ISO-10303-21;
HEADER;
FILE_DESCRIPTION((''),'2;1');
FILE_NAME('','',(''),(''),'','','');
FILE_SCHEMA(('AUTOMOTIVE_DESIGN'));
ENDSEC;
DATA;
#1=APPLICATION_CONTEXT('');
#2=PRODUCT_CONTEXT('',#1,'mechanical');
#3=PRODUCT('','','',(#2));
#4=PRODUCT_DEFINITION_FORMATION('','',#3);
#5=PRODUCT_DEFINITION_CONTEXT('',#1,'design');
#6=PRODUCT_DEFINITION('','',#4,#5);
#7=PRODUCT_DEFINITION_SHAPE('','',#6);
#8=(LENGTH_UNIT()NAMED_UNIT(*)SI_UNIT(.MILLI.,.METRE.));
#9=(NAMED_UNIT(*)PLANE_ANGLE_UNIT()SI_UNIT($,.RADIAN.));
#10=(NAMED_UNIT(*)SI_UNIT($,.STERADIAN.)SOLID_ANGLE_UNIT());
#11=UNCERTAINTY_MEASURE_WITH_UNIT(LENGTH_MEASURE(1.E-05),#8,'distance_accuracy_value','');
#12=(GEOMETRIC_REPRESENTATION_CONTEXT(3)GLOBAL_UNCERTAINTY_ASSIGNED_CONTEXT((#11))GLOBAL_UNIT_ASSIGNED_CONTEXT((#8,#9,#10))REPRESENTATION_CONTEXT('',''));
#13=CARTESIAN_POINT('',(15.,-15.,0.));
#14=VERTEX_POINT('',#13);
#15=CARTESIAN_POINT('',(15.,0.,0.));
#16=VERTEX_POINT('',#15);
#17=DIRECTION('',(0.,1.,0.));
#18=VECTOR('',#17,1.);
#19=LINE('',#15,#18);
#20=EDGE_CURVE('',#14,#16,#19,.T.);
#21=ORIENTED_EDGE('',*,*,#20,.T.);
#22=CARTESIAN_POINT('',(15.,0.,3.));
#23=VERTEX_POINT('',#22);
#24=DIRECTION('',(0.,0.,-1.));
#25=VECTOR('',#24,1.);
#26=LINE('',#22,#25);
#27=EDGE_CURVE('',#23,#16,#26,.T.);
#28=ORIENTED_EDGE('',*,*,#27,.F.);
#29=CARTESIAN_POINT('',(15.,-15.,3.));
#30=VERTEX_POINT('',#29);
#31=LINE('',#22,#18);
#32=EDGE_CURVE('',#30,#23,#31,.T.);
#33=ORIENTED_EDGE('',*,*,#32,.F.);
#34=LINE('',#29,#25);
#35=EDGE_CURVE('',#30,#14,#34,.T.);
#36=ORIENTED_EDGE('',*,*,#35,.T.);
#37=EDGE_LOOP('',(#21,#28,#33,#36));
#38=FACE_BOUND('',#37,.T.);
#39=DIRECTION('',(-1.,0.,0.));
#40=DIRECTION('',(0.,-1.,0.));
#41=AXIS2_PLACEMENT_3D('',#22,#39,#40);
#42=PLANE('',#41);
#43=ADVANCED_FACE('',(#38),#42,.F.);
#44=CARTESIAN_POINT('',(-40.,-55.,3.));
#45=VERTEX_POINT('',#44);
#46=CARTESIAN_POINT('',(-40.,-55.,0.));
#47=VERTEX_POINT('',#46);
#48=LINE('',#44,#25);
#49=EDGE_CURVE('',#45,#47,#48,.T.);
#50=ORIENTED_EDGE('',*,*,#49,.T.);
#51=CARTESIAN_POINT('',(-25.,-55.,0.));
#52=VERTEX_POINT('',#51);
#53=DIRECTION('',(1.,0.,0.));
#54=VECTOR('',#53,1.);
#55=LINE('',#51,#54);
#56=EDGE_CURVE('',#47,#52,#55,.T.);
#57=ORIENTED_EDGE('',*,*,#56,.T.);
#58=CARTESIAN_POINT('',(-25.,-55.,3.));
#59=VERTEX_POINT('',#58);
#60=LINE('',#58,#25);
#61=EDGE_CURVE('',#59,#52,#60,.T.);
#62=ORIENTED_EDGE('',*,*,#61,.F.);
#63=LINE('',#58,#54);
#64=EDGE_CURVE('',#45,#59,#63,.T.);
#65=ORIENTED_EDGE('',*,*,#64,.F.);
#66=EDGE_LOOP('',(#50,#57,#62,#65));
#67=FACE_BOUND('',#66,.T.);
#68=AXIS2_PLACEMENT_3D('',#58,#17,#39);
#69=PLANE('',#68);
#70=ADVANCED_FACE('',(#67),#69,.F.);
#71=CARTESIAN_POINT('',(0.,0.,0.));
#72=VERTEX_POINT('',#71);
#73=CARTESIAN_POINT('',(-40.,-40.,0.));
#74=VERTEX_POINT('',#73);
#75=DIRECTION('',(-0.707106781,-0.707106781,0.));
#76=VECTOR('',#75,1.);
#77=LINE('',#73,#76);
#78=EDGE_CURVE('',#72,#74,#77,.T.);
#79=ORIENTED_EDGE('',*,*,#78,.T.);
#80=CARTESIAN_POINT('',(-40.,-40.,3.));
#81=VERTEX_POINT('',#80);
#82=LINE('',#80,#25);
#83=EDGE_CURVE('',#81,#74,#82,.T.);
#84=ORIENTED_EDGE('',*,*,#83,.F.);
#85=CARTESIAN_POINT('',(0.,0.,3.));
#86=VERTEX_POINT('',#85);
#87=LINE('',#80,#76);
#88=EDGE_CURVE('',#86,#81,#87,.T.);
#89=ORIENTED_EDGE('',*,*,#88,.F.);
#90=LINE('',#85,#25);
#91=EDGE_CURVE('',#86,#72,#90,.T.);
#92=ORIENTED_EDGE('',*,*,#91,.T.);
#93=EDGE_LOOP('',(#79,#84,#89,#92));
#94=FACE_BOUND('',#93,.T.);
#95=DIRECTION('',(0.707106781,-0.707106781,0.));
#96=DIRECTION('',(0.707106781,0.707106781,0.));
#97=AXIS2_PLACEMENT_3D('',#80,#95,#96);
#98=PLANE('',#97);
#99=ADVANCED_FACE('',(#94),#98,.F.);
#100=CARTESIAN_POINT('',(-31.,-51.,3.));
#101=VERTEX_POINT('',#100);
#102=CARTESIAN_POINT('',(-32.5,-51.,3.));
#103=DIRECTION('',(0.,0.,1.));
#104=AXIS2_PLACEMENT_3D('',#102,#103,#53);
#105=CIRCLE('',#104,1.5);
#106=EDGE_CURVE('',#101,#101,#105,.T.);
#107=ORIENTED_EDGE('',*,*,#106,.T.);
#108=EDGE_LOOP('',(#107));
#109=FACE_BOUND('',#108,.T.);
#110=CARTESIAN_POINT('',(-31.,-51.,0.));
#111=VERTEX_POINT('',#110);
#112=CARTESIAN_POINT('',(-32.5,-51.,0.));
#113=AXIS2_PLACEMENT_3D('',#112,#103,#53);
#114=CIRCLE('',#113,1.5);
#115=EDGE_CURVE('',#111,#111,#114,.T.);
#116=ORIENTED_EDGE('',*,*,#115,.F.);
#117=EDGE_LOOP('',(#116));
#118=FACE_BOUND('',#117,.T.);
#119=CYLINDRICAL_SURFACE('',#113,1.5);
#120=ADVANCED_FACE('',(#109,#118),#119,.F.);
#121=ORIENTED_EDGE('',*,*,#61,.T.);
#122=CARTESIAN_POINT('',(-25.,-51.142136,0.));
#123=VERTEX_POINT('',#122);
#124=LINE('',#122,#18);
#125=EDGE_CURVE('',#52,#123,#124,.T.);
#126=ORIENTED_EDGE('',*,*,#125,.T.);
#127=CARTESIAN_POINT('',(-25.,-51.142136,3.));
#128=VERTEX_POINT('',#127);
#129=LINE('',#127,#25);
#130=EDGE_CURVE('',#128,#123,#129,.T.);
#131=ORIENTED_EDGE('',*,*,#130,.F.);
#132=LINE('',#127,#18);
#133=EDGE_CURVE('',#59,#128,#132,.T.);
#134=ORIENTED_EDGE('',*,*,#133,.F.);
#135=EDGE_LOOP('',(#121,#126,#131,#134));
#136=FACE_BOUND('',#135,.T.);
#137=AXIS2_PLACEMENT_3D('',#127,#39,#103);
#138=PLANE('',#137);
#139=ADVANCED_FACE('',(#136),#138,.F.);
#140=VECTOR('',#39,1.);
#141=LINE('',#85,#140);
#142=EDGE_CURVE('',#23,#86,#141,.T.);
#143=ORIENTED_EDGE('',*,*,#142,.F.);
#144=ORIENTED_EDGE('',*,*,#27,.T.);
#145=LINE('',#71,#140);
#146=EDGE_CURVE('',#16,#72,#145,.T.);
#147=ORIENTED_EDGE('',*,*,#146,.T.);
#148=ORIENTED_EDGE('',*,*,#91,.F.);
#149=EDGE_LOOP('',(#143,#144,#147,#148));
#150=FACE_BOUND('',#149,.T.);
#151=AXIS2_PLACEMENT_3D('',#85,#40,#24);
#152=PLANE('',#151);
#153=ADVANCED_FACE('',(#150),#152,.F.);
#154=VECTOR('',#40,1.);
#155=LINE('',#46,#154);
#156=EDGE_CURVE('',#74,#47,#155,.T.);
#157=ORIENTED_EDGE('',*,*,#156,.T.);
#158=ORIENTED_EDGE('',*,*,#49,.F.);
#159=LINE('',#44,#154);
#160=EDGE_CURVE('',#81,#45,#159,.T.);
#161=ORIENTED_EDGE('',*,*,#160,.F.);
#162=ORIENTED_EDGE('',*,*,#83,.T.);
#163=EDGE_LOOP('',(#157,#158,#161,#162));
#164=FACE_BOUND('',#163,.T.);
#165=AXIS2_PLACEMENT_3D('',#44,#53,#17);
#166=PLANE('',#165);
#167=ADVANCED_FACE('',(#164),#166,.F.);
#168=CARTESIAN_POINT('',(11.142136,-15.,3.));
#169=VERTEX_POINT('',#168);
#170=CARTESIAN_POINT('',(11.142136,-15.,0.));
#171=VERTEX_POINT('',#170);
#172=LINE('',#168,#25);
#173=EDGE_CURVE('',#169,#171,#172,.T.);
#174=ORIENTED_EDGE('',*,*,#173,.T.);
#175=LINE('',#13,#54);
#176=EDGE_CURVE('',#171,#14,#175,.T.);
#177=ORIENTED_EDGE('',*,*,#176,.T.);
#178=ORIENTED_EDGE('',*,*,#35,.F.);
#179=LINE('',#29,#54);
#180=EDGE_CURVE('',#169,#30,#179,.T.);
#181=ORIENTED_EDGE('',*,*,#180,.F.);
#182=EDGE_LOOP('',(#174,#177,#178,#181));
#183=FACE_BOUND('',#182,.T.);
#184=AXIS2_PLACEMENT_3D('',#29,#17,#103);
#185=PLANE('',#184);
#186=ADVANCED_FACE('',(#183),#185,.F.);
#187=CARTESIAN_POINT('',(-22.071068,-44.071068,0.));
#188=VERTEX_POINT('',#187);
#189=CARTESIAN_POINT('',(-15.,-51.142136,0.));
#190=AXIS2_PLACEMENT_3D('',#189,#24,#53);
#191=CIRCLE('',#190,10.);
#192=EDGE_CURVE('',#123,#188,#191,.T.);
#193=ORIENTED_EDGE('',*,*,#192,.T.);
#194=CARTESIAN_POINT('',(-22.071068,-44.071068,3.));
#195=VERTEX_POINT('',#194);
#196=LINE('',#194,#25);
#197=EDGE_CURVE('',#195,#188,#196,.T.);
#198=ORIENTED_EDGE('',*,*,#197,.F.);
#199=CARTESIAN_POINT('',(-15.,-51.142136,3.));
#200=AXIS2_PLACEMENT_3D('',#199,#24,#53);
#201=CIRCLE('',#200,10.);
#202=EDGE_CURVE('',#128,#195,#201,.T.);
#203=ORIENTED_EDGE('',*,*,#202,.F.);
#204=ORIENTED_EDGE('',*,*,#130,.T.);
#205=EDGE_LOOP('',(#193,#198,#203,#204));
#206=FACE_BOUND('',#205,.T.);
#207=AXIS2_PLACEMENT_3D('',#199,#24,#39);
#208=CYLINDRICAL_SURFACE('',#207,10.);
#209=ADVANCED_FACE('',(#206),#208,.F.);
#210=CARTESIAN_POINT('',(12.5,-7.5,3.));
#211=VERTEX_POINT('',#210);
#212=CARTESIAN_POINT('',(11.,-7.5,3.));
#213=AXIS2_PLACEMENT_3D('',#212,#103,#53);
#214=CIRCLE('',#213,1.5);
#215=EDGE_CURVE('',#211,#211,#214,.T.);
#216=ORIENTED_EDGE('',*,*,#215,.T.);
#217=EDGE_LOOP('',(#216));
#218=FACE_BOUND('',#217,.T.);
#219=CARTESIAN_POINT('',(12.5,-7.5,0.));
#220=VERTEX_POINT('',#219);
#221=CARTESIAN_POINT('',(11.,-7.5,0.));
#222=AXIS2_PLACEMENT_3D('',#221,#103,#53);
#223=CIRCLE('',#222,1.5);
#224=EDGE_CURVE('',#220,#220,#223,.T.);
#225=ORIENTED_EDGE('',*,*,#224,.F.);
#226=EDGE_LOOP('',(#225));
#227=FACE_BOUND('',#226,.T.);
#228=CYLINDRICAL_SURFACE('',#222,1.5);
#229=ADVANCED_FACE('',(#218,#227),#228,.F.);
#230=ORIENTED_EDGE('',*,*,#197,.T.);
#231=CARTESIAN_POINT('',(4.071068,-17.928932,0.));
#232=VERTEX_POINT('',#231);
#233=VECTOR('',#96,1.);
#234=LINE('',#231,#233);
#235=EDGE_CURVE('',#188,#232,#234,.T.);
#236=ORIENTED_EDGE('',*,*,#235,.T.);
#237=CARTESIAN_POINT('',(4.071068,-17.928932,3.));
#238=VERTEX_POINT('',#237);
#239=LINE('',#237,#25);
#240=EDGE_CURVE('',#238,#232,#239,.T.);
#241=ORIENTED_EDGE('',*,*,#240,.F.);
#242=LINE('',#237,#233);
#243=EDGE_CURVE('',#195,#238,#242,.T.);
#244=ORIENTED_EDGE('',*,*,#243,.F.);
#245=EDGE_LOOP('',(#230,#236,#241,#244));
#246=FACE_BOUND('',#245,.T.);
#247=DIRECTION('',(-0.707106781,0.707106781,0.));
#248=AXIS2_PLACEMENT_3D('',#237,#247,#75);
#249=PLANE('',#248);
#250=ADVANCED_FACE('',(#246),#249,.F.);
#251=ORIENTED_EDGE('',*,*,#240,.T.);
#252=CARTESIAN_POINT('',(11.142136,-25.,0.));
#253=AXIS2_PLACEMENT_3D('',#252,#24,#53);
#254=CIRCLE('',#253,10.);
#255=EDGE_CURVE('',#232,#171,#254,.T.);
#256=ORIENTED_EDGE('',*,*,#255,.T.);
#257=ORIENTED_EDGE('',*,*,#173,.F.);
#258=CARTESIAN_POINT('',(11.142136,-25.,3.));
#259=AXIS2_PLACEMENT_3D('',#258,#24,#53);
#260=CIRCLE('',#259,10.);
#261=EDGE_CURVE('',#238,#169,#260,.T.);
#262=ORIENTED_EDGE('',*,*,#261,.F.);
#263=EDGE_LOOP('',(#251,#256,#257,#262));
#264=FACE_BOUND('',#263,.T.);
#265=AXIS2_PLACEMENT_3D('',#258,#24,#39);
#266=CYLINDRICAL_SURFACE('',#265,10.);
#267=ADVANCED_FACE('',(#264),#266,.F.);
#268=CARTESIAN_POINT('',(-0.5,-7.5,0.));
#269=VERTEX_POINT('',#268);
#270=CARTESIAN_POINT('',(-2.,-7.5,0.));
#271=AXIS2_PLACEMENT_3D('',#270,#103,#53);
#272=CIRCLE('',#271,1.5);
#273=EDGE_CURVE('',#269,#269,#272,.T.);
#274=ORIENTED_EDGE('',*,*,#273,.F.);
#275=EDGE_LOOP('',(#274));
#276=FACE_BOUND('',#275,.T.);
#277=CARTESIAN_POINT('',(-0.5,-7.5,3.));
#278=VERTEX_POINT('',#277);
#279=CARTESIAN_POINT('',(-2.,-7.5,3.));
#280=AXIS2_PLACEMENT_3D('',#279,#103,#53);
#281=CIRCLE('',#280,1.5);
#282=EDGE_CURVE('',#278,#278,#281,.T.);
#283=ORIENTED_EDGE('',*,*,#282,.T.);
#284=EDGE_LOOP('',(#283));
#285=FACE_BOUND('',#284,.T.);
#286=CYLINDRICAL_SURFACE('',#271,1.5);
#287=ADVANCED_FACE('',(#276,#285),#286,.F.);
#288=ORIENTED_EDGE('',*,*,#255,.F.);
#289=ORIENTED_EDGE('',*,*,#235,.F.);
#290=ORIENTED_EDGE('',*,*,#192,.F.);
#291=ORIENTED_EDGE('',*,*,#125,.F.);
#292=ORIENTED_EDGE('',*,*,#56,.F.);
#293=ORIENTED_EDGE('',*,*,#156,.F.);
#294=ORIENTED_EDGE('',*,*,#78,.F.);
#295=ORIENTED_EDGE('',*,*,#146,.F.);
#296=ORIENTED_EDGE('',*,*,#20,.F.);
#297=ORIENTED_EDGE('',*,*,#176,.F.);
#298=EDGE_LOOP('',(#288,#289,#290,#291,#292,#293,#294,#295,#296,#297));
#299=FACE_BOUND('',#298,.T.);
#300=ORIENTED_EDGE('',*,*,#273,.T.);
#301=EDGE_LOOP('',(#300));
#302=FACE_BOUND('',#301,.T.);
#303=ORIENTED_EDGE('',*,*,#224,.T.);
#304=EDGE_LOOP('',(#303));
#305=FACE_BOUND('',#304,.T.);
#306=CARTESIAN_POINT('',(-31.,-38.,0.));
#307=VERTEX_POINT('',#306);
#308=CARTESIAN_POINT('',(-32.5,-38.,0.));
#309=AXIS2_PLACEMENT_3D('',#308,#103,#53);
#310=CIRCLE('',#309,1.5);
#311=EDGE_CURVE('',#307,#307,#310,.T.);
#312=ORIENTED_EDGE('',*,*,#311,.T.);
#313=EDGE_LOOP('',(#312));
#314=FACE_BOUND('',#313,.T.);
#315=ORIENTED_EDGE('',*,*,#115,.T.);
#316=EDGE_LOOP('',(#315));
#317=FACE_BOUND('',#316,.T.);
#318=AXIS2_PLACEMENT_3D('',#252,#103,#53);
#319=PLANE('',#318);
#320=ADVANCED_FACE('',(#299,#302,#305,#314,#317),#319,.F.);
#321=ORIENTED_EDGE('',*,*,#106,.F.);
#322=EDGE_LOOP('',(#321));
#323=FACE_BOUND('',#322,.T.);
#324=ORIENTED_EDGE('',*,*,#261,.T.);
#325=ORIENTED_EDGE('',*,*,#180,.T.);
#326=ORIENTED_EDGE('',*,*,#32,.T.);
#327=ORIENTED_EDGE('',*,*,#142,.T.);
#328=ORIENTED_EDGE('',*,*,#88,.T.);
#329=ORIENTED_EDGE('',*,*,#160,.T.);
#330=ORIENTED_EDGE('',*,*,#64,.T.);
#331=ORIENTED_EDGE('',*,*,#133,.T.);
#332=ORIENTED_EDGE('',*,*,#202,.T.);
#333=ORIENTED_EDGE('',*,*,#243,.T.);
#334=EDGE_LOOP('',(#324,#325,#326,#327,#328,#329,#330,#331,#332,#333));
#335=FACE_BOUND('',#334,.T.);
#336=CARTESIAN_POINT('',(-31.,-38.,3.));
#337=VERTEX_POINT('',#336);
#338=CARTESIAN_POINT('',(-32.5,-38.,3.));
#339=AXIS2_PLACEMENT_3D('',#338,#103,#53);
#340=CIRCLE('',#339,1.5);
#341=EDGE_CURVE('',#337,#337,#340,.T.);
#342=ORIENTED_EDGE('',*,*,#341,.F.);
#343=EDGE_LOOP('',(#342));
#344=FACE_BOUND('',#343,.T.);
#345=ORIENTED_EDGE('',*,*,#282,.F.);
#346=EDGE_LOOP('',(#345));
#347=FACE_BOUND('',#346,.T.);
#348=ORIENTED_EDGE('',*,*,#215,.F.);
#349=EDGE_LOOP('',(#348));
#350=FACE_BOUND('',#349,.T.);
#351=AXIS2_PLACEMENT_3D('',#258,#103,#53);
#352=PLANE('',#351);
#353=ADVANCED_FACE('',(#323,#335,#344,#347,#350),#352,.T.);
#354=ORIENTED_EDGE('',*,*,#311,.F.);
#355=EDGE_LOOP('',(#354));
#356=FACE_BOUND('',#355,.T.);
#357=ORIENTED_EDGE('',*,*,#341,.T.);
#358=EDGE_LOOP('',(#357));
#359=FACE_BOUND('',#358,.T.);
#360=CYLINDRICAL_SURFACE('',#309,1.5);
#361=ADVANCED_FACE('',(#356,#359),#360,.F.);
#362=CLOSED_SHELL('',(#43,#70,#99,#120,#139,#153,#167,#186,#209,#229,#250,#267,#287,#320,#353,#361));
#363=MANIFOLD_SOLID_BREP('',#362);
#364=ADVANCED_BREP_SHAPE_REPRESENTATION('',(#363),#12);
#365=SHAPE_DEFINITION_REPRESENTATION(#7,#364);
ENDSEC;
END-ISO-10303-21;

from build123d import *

# Parameters (mm, degrees)
EXTRUDE_1_DEPTH     = 3
SKETCH_2_R          = 1.5
CUT_EXTRUDE_1_DEPTH = 3


with BuildPart() as part:
    # 草图1 → 凸台-拉伸1 (new body)
    with BuildSketch(Plane.XY):
        with BuildLine():
            Line((0, 0), (15, 0))
            Line((15, 0), (15, -15))
            Line((15, -15), (11.142135624, -15))
            ThreePointArc((11.142135624, -15), (7.3153013, -15.761204675), (4.071067812, -17.928932188))
            Line((4.071067812, -17.928932188), (-22.071067812, -44.071067812))
            ThreePointArc((-22.071067812, -44.071067812), (-24.238795325, -47.3153013), (-25, -51.142135624))
            Line((-25, -51.142135624), (-25, -55))
            Line((-25, -55), (-40, -55))
            Line((-40, -55), (-40, -40))
            Line((-40, -40), (0, 0))
        make_face()
    extrude(amount=EXTRUDE_1_DEPTH)

    # 草图2 → 切除-拉伸1 (cut)
    with BuildSketch(Plane.XY.offset(3)):
        with Locations((11, -7.5)):
            Circle(SKETCH_2_R)
        with Locations((-2, -7.5)):
            Circle(SKETCH_2_R)
        with Locations((-32.5, -51)):
            Circle(SKETCH_2_R)
        with Locations((-32.5, -38)):
            Circle(SKETCH_2_R)
    extrude(amount=-CUT_EXTRUDE_1_DEPTH, mode=Mode.SUBTRACT)


solid = part.part
